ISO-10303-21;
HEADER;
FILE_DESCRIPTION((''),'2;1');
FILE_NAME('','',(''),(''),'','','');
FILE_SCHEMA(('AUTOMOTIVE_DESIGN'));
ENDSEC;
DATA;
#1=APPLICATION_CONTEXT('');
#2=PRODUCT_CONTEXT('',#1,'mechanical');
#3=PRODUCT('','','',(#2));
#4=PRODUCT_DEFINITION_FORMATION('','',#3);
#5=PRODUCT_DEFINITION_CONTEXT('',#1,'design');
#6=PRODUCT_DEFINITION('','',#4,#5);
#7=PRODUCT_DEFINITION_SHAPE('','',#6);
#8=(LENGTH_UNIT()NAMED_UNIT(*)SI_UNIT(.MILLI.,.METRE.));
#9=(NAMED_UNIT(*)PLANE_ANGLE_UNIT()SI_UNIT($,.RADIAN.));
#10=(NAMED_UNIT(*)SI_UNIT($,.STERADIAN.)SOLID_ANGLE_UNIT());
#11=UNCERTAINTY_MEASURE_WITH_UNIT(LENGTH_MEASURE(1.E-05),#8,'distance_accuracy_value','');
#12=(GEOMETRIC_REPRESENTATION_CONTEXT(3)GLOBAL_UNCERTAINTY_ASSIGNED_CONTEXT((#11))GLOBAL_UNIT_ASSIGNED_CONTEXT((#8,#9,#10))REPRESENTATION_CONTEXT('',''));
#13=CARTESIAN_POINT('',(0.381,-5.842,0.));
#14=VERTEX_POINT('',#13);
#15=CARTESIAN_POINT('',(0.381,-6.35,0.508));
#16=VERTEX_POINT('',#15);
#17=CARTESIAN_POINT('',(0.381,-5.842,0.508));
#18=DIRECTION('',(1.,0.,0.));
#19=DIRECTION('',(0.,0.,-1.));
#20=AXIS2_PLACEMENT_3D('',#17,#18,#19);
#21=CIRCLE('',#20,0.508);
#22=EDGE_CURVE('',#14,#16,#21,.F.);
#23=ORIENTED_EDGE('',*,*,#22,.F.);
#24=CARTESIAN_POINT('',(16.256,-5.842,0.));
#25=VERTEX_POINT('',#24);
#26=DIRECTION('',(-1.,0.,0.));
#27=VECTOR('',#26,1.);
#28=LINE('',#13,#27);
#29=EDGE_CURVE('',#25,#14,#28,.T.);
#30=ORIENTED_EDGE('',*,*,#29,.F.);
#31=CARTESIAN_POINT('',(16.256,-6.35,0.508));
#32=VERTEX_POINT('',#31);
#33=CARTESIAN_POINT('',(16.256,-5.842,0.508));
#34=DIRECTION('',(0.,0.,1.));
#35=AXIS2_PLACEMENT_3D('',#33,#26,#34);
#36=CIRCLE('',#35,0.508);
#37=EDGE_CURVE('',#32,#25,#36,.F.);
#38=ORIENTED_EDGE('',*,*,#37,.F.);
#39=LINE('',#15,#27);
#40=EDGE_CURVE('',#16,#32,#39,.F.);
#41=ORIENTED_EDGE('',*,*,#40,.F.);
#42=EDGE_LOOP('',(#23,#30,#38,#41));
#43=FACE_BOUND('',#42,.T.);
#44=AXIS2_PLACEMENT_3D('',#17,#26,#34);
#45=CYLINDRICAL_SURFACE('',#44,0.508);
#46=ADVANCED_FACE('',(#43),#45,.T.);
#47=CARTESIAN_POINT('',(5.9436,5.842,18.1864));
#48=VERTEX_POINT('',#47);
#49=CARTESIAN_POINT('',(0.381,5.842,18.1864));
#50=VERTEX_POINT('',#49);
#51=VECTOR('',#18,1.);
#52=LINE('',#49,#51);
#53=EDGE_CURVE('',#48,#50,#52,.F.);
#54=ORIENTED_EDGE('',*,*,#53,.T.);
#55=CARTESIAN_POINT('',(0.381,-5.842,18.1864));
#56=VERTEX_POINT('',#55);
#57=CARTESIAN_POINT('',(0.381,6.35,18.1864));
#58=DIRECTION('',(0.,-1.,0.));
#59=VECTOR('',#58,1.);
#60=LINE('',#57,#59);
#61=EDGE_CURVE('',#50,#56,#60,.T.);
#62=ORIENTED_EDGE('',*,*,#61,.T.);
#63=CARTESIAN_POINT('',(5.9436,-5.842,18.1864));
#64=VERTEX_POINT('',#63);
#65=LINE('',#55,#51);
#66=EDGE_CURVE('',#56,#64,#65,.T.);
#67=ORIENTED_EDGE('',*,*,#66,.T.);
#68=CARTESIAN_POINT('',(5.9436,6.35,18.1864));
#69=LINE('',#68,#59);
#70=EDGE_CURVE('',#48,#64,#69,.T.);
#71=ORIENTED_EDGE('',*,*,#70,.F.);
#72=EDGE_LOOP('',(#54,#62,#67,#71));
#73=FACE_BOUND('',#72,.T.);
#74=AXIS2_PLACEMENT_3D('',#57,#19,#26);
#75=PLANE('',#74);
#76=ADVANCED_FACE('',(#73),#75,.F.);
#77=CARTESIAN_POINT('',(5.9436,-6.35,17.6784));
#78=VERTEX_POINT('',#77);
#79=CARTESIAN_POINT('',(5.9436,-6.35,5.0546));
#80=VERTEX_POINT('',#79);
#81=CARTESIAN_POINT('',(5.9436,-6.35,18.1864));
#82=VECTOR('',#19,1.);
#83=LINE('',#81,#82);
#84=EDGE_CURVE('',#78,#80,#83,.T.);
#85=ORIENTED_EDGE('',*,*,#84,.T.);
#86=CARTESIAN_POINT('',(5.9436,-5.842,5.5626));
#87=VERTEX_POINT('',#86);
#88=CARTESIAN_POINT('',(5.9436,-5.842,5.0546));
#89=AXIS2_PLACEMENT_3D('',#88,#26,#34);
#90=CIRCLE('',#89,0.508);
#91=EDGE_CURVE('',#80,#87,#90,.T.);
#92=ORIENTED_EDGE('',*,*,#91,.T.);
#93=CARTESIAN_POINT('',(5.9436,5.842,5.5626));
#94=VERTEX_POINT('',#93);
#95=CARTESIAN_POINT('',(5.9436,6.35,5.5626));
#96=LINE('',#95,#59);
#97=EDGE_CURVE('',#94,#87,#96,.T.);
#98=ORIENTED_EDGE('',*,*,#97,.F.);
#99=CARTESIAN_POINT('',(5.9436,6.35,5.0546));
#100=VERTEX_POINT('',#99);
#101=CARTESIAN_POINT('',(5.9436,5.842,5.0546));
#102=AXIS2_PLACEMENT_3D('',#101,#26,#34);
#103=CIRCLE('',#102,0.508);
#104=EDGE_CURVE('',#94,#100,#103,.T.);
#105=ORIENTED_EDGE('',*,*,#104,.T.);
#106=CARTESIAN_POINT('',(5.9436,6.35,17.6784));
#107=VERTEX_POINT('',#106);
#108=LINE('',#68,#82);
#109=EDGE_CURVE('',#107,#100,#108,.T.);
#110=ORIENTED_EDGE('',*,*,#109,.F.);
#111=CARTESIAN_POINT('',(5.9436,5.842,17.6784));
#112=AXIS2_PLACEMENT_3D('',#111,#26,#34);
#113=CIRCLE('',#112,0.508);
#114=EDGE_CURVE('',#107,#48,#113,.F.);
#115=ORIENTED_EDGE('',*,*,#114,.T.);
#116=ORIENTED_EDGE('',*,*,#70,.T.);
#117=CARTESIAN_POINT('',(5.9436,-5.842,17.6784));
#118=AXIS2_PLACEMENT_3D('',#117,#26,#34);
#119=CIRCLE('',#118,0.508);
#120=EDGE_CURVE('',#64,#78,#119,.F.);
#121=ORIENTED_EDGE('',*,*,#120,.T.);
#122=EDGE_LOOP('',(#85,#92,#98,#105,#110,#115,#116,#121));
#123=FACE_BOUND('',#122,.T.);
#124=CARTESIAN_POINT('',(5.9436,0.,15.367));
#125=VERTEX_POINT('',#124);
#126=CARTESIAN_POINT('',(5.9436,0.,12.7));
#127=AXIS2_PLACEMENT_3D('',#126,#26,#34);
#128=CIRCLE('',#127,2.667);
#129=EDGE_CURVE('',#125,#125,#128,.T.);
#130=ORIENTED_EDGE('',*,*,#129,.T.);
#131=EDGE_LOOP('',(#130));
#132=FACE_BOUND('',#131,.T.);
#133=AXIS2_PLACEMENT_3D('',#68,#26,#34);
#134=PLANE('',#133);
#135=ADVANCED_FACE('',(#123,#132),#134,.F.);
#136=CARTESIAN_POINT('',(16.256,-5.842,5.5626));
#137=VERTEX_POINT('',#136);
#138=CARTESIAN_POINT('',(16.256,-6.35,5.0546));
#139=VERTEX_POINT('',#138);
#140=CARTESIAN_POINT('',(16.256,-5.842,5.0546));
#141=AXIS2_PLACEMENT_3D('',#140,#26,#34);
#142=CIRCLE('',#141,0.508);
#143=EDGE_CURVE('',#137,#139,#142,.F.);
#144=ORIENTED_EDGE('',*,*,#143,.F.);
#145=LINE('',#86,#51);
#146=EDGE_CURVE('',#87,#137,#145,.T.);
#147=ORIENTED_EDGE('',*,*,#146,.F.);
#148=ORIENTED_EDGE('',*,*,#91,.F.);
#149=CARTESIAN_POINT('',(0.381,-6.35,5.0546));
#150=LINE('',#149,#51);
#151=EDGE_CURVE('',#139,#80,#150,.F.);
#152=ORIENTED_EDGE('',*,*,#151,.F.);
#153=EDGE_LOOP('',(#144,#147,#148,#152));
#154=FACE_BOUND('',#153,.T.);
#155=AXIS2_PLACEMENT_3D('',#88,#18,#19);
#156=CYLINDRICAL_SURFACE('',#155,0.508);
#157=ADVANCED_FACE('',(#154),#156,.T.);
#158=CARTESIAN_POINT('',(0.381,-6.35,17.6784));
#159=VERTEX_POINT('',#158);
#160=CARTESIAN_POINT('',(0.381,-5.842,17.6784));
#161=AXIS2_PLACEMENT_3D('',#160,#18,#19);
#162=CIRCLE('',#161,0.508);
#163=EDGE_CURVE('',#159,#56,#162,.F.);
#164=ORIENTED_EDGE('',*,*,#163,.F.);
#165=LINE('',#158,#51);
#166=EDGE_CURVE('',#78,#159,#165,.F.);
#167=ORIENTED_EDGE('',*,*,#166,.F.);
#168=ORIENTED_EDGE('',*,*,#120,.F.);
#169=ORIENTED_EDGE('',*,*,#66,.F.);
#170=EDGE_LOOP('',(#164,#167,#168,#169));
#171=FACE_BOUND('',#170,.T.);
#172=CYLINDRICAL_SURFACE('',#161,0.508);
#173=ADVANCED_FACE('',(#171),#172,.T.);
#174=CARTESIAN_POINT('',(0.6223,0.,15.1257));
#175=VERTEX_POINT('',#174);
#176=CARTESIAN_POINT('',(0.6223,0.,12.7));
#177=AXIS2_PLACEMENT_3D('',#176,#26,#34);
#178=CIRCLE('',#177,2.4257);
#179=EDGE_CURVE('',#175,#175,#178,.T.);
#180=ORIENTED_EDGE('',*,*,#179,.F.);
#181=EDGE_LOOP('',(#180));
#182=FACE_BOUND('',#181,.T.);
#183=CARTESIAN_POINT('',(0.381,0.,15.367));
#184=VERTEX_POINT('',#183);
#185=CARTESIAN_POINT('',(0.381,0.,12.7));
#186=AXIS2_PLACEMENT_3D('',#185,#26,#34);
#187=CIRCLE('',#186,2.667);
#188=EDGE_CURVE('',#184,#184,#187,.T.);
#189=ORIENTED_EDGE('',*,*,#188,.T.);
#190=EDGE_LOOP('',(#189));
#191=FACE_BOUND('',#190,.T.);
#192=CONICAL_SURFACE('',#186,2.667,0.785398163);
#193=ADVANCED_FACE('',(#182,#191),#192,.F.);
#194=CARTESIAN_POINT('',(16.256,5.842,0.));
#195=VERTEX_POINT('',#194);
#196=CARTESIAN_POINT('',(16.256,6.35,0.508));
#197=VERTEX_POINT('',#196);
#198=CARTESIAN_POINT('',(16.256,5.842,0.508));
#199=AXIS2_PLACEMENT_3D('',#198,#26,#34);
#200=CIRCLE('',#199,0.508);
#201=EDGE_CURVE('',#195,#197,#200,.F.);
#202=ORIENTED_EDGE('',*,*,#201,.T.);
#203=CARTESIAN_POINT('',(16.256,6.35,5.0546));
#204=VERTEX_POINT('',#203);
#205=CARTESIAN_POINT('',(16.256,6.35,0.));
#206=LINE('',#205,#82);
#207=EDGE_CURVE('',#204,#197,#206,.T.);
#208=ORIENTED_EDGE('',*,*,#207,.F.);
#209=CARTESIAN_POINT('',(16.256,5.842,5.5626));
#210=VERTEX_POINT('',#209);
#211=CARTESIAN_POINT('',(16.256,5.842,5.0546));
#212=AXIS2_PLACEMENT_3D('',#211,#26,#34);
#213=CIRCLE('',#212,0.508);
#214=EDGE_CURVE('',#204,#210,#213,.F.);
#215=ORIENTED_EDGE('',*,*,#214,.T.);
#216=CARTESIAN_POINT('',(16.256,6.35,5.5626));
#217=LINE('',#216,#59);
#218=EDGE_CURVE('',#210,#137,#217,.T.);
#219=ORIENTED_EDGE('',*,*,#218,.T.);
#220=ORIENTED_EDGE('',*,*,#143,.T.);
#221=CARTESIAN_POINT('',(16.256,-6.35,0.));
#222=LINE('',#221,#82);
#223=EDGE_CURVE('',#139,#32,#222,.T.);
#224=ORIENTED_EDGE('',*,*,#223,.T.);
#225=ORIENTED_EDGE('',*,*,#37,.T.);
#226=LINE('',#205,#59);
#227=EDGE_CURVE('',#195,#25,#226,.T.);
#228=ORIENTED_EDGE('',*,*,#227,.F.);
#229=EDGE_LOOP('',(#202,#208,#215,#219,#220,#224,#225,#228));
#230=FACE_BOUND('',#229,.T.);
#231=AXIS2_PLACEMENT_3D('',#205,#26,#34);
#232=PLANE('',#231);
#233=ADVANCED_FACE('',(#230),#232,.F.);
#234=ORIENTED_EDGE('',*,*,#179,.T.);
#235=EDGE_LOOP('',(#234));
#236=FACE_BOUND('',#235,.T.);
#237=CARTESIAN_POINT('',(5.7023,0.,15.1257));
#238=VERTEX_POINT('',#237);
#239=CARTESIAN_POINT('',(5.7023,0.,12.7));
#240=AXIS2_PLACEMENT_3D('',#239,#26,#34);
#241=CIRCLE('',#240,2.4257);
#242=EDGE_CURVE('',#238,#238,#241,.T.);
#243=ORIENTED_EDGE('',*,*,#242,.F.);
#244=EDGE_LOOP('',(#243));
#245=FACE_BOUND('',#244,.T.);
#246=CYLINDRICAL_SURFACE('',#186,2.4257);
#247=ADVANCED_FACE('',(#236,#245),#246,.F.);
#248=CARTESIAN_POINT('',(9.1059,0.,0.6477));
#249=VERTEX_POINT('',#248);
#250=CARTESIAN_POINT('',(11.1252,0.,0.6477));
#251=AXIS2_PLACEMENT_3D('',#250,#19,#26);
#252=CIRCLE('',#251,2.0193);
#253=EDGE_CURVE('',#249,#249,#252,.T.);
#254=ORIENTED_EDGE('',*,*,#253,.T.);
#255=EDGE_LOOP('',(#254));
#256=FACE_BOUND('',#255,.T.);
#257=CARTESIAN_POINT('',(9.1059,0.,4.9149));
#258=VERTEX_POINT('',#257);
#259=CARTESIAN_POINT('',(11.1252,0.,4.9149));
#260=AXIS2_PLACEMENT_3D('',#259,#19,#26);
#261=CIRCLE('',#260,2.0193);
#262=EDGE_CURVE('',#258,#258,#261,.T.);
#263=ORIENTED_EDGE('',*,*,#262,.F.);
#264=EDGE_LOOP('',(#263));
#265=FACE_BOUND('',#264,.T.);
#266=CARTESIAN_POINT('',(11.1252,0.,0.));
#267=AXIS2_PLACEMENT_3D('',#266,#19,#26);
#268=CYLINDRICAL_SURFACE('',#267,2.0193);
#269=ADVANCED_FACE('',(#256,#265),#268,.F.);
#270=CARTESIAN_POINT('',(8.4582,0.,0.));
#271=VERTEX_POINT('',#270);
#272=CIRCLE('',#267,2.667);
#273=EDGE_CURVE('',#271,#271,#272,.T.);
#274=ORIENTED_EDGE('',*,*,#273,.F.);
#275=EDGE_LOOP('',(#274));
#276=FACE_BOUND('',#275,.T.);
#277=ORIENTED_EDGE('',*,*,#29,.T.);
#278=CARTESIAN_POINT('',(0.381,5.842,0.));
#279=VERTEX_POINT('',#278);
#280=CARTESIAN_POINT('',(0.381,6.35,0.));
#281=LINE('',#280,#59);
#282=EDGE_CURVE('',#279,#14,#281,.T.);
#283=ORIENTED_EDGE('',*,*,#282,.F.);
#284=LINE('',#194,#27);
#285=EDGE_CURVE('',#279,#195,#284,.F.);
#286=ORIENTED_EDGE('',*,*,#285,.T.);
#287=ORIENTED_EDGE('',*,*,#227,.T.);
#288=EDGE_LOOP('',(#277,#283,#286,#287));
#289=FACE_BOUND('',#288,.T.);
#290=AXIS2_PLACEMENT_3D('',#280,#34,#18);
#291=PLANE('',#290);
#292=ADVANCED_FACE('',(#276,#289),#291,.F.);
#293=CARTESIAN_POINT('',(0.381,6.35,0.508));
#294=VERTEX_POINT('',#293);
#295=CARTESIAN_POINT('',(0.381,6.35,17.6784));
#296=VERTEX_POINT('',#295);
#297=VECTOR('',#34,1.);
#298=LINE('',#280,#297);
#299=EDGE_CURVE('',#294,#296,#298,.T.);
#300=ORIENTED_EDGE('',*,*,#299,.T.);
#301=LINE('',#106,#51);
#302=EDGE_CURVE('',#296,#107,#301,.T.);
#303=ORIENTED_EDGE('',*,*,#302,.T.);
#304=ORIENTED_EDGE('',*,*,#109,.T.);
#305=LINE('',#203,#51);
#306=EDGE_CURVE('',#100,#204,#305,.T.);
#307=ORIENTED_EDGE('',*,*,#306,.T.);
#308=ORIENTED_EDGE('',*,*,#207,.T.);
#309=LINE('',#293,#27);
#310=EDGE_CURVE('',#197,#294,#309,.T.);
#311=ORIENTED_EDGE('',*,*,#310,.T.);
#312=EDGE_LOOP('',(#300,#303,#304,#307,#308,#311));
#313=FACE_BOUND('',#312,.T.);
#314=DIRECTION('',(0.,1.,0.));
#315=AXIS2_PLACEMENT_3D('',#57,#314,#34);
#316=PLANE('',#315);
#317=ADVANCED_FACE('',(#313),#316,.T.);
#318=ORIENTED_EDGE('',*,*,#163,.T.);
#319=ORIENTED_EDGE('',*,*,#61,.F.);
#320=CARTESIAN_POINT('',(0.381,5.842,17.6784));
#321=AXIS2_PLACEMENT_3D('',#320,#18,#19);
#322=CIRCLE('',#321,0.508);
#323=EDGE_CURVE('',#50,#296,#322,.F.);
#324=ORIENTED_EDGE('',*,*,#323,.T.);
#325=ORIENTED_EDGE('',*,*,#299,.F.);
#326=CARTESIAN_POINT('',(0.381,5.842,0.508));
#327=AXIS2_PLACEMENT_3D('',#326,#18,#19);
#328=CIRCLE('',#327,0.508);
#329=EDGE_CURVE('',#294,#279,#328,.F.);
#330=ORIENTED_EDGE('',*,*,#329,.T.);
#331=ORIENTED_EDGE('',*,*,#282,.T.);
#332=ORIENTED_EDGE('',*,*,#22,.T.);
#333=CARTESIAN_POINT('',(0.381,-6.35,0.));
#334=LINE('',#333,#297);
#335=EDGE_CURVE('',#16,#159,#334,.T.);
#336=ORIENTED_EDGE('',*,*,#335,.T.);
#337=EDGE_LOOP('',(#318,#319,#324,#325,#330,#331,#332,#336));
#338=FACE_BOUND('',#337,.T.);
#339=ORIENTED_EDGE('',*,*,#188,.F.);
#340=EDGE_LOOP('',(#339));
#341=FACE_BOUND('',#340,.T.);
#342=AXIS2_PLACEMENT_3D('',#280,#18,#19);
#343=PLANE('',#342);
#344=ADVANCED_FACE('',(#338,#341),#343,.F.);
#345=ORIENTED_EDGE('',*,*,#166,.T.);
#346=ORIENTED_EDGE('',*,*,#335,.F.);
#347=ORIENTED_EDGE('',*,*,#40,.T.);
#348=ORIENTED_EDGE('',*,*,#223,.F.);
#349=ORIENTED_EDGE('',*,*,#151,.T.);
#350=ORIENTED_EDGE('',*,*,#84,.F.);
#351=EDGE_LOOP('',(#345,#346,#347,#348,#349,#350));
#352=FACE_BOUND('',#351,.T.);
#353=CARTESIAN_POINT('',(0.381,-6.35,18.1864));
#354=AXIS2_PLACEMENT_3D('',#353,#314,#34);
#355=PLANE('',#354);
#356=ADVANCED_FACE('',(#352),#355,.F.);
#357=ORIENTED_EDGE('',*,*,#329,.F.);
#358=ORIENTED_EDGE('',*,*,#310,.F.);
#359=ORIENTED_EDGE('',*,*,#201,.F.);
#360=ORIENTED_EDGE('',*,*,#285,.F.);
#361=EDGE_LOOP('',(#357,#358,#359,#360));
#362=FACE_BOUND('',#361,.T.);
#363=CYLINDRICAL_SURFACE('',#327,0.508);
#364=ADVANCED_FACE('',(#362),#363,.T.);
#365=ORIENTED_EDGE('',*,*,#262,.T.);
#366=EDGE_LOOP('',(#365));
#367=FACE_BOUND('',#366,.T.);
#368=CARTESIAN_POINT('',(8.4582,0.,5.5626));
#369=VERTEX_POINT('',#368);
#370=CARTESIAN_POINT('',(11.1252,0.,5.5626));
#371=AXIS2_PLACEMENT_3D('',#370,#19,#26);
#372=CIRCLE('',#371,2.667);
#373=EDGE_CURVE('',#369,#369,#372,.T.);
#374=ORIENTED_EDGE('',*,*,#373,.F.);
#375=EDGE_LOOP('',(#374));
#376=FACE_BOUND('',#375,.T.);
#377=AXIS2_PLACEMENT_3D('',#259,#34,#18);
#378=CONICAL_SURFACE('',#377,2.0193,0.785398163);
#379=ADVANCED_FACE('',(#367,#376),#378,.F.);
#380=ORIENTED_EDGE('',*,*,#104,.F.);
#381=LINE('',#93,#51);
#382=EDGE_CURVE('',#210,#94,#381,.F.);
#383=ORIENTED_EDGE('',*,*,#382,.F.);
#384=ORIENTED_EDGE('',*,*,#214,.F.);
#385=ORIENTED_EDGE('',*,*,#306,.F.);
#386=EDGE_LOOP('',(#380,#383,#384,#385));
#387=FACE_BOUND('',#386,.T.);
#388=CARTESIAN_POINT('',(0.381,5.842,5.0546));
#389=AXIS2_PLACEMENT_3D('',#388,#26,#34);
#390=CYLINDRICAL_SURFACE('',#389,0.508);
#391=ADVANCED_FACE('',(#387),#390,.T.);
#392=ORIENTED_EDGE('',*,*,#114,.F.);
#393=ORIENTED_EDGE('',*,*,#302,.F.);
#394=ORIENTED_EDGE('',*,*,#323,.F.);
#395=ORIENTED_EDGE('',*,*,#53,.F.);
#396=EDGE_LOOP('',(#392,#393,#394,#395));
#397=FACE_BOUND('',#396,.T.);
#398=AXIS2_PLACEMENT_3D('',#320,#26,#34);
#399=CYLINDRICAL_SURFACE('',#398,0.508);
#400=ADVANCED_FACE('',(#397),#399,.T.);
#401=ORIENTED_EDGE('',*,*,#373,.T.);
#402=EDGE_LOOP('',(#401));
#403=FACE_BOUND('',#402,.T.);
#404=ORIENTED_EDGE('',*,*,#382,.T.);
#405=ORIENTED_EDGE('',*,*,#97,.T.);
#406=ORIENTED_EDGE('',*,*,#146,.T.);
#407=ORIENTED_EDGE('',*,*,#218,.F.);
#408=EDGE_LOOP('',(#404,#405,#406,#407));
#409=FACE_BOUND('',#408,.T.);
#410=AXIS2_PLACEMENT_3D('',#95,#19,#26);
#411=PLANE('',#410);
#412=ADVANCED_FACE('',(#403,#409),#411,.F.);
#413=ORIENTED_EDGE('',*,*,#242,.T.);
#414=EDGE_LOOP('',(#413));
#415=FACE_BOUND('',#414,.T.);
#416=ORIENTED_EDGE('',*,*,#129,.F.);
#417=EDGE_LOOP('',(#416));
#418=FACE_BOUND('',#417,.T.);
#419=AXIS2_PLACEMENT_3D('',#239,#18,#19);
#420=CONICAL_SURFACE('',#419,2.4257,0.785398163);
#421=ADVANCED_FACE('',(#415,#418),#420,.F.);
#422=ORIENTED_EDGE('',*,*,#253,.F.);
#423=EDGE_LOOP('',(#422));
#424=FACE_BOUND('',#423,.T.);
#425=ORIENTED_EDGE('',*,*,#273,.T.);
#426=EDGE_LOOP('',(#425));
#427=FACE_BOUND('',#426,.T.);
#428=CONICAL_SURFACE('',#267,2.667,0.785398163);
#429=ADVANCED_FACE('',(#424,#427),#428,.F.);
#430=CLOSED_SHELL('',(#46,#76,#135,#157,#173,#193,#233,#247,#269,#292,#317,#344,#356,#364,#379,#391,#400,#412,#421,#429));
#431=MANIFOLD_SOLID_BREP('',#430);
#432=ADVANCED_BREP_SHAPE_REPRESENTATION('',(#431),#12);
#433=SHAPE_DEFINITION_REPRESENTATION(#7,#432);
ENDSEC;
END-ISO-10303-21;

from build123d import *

# Parameters (mm, degrees)
EXTRUDE1_DEPTH = 6.35
FILLET1_R      = 0.508


with BuildPart() as part:
    # Sketch1 → Extrude1 (new, symmetric)
    with BuildSketch(Plane(origin=(0, 0, 0), x_dir=(1, 0, 0), z_dir=(0, 1, 0))):
        Polygon((5.9436, -18.1864), (5.9436, -5.5626), (16.256, -5.5626), (16.256, 0), (0.381, 0), (0.381, -18.1864), align=None)
    extrude(amount=EXTRUDE1_DEPTH, both=True)

    # Sketch2 → #11 (0.191) Diameter Hole1 (revolve, cut)
    with BuildSketch(Plane(origin=(0.381, 0, 12.7), x_dir=(0, 0, 1), z_dir=(0, 1, 0))):
        Polygon((0, 0), (0, 5.5626), (2.667, 5.5626), (2.4257, 5.3213), (2.4257, 0.2413), (2.667, 0), align=None)
    revolve(axis=Axis((-5.969, 0, 12.7), (1, 0, 0)), mode=Mode.SUBTRACT)

    # Sketch4 → #10-32 Tapped Hole1 (revolve, cut)
    with BuildSketch(Plane.YZ.offset(11.1252)):
        Polygon((0, 0), (0, 5.5626), (2.667, 5.5626), (2.0193, 4.9149), (2.0193, 0.6477), (2.667, 0), align=None)
    revolve(axis=Axis((11.1252, 0, -6.35), (0, 0, 1)), mode=Mode.SUBTRACT)

    # Fillet1
    fillet1_edges = [part.edges().sort_by_distance(p)[0] for p in [
        (11.0998, 6.35, 5.5626),
        (8.3185, 6.35, 0),
        (8.3185, -6.35, 0),
        (11.0998, -6.35, 5.5626),
        (3.1623, 6.35, 18.1864),
        (3.1623, -6.35, 18.1864),
    ]]
    fillet(fillet1_edges, radius=FILLET1_R)


solid = part.part
